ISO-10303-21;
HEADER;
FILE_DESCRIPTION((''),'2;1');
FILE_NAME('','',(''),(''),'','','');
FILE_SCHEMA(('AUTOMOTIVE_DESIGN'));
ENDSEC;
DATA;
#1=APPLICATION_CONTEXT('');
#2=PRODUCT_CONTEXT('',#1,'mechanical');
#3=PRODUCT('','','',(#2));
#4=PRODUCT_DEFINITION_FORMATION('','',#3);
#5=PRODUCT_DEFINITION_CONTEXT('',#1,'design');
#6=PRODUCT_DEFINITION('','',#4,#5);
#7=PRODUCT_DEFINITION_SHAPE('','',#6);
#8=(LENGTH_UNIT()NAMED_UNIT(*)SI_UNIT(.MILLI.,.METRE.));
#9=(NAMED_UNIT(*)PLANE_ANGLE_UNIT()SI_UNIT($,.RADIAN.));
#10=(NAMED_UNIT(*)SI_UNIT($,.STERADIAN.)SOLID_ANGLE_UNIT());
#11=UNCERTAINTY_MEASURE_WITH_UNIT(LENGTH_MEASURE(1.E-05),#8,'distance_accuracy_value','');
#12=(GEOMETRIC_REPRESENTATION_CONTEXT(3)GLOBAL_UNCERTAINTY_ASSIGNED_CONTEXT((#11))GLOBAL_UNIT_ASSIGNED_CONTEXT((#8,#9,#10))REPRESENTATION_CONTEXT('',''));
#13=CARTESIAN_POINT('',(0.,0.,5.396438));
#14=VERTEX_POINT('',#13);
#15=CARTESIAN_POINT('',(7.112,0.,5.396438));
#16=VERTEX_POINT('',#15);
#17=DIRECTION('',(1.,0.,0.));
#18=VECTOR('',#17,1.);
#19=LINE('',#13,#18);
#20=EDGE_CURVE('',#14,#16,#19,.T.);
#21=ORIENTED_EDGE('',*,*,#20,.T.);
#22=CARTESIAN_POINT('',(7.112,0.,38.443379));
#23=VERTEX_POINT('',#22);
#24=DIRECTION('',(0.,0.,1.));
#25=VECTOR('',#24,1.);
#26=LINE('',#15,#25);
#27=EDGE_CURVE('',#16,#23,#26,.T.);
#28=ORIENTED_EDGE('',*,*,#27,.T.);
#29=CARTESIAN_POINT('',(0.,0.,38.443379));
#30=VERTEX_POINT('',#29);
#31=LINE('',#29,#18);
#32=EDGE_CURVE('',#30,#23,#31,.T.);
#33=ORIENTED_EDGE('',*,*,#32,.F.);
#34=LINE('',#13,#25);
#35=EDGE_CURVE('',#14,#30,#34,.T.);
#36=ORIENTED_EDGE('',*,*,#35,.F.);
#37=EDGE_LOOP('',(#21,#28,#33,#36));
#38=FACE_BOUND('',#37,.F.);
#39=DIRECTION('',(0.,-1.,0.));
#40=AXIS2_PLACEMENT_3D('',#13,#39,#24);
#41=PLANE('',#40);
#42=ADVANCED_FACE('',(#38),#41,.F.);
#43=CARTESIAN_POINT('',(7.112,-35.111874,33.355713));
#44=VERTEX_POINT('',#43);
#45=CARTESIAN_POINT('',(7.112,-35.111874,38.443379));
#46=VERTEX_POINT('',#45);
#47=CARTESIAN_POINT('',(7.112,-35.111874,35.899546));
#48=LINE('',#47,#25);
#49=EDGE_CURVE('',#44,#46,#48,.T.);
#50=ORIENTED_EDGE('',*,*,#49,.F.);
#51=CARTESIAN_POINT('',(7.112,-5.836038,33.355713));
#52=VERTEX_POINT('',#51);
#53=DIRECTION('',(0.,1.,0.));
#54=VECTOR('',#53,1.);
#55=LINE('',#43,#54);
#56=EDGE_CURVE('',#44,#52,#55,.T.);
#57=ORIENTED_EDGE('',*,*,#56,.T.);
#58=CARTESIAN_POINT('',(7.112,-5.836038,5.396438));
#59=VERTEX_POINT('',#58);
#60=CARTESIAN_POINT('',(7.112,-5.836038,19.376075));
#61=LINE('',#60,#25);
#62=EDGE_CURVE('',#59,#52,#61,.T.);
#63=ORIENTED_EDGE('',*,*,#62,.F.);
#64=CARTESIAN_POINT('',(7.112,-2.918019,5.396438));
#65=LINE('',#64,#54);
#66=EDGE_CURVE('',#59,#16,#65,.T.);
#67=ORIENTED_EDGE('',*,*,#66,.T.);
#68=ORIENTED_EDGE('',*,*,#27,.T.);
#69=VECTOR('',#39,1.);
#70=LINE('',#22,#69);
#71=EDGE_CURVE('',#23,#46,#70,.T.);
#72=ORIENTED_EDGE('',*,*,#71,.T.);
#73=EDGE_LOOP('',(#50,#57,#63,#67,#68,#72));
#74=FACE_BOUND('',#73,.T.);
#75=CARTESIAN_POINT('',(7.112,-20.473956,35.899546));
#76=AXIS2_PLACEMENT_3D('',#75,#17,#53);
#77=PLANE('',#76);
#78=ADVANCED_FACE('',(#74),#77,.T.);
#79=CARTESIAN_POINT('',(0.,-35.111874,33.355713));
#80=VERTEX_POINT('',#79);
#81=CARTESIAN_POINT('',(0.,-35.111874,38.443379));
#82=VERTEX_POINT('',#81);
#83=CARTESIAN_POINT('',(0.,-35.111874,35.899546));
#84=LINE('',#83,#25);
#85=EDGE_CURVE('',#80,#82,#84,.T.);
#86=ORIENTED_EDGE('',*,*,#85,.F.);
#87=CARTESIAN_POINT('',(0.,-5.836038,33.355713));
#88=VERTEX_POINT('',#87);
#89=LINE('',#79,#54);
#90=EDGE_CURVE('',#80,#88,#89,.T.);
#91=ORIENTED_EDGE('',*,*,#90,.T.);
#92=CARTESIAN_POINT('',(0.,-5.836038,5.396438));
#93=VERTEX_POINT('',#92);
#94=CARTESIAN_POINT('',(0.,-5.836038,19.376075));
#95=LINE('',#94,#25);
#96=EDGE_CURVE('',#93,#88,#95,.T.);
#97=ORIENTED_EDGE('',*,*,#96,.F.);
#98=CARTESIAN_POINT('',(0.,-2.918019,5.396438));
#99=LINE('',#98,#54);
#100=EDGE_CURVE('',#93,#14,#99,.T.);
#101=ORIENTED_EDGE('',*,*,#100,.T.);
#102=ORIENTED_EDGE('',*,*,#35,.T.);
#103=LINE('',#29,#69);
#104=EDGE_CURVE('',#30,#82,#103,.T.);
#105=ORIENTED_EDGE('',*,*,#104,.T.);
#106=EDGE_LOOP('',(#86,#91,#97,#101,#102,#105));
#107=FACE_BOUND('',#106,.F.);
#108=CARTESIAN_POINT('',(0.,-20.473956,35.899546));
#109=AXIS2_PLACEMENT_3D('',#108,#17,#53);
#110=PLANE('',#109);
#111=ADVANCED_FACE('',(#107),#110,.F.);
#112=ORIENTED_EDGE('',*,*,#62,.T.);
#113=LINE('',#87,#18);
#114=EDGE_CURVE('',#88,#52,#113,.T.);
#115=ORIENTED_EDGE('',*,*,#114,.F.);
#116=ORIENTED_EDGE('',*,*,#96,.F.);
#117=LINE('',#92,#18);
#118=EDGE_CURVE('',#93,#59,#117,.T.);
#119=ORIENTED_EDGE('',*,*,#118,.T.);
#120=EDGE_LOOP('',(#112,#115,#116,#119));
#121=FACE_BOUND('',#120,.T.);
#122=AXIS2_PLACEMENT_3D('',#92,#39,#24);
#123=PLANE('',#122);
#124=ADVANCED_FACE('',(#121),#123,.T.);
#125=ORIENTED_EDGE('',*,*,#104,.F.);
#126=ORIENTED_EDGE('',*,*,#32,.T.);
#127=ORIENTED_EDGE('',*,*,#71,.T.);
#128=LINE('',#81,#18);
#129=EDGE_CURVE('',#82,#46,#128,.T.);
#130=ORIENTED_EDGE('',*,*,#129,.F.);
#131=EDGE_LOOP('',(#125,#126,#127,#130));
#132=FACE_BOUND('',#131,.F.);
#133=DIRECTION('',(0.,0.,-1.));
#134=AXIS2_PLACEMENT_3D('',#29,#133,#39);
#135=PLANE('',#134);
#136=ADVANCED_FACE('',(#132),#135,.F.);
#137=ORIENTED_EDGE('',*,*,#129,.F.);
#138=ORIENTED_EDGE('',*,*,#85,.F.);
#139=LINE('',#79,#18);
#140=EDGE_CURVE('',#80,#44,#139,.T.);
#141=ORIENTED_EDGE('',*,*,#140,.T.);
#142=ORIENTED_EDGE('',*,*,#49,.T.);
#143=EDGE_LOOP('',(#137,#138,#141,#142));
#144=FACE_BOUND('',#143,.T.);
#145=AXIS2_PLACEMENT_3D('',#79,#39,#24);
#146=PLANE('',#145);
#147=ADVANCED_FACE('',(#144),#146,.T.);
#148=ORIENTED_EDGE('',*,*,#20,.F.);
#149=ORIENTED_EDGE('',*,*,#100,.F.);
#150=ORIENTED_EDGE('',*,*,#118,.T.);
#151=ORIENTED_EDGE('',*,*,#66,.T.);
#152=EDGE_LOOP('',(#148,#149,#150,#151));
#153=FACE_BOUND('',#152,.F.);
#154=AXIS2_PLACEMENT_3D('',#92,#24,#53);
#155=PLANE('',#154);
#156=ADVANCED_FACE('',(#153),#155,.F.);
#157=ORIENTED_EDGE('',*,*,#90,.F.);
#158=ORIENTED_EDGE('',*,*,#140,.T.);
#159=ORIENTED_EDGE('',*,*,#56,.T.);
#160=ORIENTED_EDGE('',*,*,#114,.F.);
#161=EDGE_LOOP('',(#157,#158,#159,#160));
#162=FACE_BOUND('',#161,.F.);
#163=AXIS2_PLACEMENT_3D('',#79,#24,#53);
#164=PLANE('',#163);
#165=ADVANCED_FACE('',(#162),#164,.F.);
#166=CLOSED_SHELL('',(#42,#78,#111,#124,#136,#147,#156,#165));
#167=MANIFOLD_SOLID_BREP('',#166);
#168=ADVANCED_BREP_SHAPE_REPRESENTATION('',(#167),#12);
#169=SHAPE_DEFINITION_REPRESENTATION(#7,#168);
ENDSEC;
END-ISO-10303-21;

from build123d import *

# Parameters (mm, degrees)
F0_W     = 29.2758359574
F0_H     = 5.0876662135
F0_W_2   = 5.8360383846
F0_H_2   = 27.9592750594
F1_DEPTH = 7.112


with BuildPart() as f1:
    # F0 (on Right) → F1 (new body)
    with BuildSketch(Plane.YZ):
        with Locations((-20.4739563633, 35.8995459974)):
            Rectangle(F0_W, F0_H)
        with Locations((-2.9180191923, 35.8995459974)):
            Rectangle(F0_W_2, F0_H)
        with Locations((-2.9180191923, 19.3760753609)):
            Rectangle(F0_W_2, F0_H_2)
    extrude(amount=F1_DEPTH)


solid = f1.part
